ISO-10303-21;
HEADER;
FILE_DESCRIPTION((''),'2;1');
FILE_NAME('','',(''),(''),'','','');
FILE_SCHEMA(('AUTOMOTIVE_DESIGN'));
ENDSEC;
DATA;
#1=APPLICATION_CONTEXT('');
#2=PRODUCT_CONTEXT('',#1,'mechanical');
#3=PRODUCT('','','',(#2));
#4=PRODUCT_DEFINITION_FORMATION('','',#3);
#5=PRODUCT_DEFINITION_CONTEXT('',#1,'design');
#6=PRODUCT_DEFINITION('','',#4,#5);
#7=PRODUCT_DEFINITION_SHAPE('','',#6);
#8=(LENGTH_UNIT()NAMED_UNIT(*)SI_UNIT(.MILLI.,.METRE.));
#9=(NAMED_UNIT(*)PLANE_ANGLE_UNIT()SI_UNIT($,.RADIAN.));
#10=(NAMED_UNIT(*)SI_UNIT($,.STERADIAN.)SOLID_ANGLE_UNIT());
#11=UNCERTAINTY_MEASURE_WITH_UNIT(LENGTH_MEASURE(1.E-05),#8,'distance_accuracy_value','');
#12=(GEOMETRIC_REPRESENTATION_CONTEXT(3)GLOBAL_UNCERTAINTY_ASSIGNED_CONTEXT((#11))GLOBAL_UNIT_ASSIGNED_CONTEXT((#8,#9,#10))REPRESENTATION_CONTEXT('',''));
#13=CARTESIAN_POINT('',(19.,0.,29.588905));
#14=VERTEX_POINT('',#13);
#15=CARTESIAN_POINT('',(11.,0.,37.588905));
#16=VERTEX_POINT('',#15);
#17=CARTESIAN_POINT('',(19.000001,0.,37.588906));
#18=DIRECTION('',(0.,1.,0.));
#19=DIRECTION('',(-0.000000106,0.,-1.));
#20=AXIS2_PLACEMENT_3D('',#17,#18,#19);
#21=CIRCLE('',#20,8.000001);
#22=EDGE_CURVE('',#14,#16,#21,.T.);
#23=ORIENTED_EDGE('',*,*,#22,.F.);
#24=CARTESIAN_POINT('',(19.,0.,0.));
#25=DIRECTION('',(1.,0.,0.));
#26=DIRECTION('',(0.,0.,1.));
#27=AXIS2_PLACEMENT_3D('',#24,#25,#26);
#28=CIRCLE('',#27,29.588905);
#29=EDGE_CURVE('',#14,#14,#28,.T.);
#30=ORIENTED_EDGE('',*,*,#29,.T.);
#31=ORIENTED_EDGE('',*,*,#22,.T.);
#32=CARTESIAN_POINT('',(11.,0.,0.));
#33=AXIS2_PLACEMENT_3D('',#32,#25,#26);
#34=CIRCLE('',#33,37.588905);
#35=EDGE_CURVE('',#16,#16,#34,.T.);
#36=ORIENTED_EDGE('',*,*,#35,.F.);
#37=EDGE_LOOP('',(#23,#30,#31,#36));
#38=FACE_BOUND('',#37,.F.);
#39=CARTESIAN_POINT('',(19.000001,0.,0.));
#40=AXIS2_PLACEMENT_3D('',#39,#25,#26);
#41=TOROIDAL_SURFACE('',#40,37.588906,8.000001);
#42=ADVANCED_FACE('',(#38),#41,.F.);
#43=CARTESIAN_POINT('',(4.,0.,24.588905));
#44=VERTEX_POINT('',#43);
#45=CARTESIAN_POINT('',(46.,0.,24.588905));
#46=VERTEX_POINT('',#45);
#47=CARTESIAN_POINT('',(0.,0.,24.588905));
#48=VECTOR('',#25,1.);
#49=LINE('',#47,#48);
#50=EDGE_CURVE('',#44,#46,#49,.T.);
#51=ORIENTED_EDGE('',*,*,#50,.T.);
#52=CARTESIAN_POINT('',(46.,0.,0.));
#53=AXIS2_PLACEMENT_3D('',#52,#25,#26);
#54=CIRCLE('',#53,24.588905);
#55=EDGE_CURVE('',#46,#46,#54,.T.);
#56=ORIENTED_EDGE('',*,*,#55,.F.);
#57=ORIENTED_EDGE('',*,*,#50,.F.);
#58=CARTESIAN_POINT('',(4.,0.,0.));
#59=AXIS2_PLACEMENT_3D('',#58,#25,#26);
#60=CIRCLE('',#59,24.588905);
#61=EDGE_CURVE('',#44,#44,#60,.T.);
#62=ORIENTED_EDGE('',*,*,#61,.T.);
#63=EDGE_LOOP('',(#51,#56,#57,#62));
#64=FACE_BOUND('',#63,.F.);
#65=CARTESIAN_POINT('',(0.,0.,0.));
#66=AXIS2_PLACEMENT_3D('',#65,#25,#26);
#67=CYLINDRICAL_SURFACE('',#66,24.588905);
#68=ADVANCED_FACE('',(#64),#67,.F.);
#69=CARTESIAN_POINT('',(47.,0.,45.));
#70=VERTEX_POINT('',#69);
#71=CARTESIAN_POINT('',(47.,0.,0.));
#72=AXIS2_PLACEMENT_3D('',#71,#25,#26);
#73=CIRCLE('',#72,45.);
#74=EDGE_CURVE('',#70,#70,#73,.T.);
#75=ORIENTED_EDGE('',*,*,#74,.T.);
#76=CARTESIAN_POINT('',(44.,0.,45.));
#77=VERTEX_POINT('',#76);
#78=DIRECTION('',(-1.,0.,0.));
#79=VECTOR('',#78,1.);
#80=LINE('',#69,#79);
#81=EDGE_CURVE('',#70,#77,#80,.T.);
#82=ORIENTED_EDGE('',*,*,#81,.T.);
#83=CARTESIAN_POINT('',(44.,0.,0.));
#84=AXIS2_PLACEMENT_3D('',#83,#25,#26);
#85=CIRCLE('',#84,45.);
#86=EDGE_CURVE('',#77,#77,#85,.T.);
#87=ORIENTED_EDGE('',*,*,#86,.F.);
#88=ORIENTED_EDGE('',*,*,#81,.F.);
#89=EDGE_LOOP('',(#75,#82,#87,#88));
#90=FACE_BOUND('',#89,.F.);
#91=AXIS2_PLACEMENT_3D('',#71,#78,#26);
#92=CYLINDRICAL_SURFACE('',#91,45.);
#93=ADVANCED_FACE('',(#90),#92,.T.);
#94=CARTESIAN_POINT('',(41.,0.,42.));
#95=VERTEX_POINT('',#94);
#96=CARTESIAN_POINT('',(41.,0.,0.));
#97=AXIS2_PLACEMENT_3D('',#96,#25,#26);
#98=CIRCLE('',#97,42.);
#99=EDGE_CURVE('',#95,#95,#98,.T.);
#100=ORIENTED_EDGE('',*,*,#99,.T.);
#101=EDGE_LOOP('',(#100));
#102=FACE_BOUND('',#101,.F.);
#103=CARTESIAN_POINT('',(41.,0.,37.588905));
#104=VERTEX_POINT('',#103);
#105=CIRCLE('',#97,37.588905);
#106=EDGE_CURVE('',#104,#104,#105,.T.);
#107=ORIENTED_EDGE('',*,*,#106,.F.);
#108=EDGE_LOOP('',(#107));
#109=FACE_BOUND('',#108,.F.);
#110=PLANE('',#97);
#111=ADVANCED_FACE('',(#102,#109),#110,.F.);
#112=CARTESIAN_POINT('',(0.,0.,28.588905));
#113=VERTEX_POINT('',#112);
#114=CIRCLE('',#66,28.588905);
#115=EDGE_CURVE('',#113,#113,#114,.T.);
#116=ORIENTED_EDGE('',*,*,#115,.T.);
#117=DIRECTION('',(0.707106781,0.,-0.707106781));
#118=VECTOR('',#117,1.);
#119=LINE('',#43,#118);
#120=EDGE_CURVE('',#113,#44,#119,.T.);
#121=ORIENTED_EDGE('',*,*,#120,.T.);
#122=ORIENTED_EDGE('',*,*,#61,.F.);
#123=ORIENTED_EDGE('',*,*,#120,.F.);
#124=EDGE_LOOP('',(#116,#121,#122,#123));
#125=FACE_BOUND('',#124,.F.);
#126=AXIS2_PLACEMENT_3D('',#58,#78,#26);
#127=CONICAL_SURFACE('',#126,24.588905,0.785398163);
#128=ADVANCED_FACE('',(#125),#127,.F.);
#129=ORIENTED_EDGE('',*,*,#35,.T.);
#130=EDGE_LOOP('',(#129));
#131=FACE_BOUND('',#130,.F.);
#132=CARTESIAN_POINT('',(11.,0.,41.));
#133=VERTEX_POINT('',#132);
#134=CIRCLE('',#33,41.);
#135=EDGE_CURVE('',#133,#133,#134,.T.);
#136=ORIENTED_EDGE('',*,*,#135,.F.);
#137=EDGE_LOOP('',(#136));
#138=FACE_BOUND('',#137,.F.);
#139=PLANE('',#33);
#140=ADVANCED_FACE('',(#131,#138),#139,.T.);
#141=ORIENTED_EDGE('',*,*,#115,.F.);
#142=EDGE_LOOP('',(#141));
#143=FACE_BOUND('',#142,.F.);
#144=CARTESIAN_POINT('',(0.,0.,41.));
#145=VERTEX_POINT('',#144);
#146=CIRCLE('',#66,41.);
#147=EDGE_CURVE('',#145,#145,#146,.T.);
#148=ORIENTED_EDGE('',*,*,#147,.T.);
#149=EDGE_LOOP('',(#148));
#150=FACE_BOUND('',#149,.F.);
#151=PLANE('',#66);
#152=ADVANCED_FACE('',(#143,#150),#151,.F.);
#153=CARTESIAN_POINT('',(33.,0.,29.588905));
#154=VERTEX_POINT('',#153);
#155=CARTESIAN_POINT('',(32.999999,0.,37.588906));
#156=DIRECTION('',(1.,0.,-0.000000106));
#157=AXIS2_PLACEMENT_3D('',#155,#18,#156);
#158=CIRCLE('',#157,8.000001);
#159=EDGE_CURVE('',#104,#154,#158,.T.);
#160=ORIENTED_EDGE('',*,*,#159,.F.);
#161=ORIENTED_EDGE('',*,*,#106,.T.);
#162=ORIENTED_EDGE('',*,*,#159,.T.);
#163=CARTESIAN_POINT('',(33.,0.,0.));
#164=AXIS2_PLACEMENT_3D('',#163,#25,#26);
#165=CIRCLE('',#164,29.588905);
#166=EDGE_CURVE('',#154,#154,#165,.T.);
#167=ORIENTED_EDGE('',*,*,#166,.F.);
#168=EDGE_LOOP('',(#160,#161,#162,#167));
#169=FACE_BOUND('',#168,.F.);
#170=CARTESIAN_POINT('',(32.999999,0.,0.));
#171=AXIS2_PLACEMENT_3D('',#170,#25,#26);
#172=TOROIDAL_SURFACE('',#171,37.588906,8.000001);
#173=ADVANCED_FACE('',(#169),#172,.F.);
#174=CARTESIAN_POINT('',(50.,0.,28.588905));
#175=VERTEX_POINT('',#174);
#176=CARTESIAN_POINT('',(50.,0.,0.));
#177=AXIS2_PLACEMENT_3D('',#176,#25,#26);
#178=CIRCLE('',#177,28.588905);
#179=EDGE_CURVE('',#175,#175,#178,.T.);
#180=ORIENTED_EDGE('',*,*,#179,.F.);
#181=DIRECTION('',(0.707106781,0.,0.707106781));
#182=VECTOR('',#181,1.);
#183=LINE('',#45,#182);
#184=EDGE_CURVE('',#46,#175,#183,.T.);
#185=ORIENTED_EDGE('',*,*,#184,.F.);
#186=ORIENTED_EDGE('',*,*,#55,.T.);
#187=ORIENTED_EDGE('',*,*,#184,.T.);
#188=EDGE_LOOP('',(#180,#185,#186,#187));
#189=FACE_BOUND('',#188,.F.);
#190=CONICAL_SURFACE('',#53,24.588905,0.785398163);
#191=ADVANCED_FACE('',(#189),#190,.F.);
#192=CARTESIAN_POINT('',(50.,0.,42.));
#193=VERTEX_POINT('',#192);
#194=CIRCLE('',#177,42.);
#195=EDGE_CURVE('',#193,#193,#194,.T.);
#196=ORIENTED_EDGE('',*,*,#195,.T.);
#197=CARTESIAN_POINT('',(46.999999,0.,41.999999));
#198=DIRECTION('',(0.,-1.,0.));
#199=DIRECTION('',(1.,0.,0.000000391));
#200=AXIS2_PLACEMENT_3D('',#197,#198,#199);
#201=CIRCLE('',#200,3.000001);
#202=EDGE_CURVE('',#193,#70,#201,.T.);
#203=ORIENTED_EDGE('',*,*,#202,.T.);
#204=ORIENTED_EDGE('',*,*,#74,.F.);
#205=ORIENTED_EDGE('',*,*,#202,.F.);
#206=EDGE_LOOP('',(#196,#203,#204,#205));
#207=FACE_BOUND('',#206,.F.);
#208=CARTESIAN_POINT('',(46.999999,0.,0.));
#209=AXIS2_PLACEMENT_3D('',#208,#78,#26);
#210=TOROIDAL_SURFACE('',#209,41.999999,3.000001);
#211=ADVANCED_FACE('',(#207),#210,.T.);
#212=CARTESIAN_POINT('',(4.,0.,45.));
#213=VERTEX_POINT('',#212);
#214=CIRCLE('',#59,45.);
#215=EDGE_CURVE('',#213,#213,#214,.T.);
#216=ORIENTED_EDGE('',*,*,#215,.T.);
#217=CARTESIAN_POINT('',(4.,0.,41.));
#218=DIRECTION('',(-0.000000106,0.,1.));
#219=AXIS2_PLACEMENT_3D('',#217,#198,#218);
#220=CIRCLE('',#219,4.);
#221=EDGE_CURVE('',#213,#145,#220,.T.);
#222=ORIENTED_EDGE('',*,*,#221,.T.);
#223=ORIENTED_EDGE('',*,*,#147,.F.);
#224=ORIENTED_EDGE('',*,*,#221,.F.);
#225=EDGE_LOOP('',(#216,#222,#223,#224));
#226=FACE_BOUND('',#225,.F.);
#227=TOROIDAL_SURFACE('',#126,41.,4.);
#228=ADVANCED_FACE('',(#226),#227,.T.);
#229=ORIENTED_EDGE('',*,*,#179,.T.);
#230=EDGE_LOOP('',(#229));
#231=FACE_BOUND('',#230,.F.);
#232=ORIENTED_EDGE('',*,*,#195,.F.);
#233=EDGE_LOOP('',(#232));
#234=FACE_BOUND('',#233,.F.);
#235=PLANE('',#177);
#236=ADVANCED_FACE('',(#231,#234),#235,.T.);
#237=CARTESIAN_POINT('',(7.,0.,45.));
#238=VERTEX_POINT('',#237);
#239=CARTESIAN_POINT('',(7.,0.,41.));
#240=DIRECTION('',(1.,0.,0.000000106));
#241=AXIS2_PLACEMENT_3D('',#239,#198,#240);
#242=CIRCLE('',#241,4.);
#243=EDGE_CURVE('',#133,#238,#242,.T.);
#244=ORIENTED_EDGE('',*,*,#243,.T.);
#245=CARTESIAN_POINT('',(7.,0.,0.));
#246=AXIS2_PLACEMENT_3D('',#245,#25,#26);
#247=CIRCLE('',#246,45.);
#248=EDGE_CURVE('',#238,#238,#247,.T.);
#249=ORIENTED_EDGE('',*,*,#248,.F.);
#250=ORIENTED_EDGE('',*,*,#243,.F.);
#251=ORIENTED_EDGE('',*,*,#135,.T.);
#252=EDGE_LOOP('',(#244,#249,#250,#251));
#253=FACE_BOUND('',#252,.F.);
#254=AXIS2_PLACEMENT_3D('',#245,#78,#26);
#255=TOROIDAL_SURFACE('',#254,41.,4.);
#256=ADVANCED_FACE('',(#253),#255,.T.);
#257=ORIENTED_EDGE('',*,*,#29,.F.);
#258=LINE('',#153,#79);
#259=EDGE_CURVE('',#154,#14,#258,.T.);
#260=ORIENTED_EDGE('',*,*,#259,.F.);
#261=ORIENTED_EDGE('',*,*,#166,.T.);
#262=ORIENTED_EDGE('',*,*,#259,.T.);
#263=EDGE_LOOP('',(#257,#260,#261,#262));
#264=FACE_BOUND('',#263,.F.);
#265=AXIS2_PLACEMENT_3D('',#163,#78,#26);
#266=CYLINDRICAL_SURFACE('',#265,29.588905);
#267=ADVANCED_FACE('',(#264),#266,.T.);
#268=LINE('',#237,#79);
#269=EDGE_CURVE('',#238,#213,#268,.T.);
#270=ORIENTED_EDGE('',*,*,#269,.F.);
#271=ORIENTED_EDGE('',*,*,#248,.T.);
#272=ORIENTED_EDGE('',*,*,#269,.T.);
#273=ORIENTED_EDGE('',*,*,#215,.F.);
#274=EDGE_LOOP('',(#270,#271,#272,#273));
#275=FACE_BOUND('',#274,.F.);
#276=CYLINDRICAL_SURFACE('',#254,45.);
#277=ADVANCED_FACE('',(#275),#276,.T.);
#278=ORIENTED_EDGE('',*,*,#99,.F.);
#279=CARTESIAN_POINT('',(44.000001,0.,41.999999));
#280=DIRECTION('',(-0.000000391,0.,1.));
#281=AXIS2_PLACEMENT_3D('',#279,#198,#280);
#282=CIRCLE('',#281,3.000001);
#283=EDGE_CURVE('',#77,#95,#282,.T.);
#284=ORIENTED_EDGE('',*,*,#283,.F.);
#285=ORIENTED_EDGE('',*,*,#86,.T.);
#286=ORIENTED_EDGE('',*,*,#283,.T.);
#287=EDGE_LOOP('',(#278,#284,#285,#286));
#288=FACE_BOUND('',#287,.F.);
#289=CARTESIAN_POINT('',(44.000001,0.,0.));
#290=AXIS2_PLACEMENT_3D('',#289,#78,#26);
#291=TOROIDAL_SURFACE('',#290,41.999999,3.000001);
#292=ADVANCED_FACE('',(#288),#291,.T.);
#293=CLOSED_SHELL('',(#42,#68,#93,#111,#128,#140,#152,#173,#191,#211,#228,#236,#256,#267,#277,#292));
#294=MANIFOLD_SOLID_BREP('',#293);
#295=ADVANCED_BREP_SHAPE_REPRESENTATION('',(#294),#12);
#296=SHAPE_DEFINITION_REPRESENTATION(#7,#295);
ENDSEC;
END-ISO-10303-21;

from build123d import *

# Parameters (mm, degrees)
F2_SIZE = 4


with BuildPart() as f1:
    # F0 (on Front) → F1 (revolve)
    with BuildSketch(Plane.XZ):
        with BuildLine():
            ThreePointArc((4, 45), (1.171573, 43.828427), (0, 41))
            Line((0, 41), (0, 24.588905))
            Line((0, 24.588905), (50, 24.588905))
            Line((50, 24.588905), (50, 42))
            ThreePointArc((50, 42), (49.12132, 44.12132), (47, 45))
            Line((47, 45), (44, 45))
            ThreePointArc((44, 45), (41.87868, 44.12132), (41, 42))
            Line((41, 42), (41, 37.588905))
            ThreePointArc((41, 37.588905), (38.656854, 31.932051), (33, 29.588905))
            Line((33, 29.588905), (19, 29.588905))
            ThreePointArc((19, 29.588905), (13.343146, 31.932051), (11, 37.588905))
            Line((11, 37.588905), (11, 41))
            ThreePointArc((11, 41), (9.828427, 43.828427), (7, 45))
            Line((7, 45), (4, 45))
        make_face()
    revolve(axis=Axis((38.676817, 0, 0), (1, 0, 0)))

    # F2
    f2_edges = [f1.edges().sort_by_distance(p)[0] for p in [
        (0, 0, -24.588905),
        (50, 0, -24.588905),
        (25, 0, 24.588905),
    ]]
    chamfer(f2_edges, length=F2_SIZE)


solid = f1.part
